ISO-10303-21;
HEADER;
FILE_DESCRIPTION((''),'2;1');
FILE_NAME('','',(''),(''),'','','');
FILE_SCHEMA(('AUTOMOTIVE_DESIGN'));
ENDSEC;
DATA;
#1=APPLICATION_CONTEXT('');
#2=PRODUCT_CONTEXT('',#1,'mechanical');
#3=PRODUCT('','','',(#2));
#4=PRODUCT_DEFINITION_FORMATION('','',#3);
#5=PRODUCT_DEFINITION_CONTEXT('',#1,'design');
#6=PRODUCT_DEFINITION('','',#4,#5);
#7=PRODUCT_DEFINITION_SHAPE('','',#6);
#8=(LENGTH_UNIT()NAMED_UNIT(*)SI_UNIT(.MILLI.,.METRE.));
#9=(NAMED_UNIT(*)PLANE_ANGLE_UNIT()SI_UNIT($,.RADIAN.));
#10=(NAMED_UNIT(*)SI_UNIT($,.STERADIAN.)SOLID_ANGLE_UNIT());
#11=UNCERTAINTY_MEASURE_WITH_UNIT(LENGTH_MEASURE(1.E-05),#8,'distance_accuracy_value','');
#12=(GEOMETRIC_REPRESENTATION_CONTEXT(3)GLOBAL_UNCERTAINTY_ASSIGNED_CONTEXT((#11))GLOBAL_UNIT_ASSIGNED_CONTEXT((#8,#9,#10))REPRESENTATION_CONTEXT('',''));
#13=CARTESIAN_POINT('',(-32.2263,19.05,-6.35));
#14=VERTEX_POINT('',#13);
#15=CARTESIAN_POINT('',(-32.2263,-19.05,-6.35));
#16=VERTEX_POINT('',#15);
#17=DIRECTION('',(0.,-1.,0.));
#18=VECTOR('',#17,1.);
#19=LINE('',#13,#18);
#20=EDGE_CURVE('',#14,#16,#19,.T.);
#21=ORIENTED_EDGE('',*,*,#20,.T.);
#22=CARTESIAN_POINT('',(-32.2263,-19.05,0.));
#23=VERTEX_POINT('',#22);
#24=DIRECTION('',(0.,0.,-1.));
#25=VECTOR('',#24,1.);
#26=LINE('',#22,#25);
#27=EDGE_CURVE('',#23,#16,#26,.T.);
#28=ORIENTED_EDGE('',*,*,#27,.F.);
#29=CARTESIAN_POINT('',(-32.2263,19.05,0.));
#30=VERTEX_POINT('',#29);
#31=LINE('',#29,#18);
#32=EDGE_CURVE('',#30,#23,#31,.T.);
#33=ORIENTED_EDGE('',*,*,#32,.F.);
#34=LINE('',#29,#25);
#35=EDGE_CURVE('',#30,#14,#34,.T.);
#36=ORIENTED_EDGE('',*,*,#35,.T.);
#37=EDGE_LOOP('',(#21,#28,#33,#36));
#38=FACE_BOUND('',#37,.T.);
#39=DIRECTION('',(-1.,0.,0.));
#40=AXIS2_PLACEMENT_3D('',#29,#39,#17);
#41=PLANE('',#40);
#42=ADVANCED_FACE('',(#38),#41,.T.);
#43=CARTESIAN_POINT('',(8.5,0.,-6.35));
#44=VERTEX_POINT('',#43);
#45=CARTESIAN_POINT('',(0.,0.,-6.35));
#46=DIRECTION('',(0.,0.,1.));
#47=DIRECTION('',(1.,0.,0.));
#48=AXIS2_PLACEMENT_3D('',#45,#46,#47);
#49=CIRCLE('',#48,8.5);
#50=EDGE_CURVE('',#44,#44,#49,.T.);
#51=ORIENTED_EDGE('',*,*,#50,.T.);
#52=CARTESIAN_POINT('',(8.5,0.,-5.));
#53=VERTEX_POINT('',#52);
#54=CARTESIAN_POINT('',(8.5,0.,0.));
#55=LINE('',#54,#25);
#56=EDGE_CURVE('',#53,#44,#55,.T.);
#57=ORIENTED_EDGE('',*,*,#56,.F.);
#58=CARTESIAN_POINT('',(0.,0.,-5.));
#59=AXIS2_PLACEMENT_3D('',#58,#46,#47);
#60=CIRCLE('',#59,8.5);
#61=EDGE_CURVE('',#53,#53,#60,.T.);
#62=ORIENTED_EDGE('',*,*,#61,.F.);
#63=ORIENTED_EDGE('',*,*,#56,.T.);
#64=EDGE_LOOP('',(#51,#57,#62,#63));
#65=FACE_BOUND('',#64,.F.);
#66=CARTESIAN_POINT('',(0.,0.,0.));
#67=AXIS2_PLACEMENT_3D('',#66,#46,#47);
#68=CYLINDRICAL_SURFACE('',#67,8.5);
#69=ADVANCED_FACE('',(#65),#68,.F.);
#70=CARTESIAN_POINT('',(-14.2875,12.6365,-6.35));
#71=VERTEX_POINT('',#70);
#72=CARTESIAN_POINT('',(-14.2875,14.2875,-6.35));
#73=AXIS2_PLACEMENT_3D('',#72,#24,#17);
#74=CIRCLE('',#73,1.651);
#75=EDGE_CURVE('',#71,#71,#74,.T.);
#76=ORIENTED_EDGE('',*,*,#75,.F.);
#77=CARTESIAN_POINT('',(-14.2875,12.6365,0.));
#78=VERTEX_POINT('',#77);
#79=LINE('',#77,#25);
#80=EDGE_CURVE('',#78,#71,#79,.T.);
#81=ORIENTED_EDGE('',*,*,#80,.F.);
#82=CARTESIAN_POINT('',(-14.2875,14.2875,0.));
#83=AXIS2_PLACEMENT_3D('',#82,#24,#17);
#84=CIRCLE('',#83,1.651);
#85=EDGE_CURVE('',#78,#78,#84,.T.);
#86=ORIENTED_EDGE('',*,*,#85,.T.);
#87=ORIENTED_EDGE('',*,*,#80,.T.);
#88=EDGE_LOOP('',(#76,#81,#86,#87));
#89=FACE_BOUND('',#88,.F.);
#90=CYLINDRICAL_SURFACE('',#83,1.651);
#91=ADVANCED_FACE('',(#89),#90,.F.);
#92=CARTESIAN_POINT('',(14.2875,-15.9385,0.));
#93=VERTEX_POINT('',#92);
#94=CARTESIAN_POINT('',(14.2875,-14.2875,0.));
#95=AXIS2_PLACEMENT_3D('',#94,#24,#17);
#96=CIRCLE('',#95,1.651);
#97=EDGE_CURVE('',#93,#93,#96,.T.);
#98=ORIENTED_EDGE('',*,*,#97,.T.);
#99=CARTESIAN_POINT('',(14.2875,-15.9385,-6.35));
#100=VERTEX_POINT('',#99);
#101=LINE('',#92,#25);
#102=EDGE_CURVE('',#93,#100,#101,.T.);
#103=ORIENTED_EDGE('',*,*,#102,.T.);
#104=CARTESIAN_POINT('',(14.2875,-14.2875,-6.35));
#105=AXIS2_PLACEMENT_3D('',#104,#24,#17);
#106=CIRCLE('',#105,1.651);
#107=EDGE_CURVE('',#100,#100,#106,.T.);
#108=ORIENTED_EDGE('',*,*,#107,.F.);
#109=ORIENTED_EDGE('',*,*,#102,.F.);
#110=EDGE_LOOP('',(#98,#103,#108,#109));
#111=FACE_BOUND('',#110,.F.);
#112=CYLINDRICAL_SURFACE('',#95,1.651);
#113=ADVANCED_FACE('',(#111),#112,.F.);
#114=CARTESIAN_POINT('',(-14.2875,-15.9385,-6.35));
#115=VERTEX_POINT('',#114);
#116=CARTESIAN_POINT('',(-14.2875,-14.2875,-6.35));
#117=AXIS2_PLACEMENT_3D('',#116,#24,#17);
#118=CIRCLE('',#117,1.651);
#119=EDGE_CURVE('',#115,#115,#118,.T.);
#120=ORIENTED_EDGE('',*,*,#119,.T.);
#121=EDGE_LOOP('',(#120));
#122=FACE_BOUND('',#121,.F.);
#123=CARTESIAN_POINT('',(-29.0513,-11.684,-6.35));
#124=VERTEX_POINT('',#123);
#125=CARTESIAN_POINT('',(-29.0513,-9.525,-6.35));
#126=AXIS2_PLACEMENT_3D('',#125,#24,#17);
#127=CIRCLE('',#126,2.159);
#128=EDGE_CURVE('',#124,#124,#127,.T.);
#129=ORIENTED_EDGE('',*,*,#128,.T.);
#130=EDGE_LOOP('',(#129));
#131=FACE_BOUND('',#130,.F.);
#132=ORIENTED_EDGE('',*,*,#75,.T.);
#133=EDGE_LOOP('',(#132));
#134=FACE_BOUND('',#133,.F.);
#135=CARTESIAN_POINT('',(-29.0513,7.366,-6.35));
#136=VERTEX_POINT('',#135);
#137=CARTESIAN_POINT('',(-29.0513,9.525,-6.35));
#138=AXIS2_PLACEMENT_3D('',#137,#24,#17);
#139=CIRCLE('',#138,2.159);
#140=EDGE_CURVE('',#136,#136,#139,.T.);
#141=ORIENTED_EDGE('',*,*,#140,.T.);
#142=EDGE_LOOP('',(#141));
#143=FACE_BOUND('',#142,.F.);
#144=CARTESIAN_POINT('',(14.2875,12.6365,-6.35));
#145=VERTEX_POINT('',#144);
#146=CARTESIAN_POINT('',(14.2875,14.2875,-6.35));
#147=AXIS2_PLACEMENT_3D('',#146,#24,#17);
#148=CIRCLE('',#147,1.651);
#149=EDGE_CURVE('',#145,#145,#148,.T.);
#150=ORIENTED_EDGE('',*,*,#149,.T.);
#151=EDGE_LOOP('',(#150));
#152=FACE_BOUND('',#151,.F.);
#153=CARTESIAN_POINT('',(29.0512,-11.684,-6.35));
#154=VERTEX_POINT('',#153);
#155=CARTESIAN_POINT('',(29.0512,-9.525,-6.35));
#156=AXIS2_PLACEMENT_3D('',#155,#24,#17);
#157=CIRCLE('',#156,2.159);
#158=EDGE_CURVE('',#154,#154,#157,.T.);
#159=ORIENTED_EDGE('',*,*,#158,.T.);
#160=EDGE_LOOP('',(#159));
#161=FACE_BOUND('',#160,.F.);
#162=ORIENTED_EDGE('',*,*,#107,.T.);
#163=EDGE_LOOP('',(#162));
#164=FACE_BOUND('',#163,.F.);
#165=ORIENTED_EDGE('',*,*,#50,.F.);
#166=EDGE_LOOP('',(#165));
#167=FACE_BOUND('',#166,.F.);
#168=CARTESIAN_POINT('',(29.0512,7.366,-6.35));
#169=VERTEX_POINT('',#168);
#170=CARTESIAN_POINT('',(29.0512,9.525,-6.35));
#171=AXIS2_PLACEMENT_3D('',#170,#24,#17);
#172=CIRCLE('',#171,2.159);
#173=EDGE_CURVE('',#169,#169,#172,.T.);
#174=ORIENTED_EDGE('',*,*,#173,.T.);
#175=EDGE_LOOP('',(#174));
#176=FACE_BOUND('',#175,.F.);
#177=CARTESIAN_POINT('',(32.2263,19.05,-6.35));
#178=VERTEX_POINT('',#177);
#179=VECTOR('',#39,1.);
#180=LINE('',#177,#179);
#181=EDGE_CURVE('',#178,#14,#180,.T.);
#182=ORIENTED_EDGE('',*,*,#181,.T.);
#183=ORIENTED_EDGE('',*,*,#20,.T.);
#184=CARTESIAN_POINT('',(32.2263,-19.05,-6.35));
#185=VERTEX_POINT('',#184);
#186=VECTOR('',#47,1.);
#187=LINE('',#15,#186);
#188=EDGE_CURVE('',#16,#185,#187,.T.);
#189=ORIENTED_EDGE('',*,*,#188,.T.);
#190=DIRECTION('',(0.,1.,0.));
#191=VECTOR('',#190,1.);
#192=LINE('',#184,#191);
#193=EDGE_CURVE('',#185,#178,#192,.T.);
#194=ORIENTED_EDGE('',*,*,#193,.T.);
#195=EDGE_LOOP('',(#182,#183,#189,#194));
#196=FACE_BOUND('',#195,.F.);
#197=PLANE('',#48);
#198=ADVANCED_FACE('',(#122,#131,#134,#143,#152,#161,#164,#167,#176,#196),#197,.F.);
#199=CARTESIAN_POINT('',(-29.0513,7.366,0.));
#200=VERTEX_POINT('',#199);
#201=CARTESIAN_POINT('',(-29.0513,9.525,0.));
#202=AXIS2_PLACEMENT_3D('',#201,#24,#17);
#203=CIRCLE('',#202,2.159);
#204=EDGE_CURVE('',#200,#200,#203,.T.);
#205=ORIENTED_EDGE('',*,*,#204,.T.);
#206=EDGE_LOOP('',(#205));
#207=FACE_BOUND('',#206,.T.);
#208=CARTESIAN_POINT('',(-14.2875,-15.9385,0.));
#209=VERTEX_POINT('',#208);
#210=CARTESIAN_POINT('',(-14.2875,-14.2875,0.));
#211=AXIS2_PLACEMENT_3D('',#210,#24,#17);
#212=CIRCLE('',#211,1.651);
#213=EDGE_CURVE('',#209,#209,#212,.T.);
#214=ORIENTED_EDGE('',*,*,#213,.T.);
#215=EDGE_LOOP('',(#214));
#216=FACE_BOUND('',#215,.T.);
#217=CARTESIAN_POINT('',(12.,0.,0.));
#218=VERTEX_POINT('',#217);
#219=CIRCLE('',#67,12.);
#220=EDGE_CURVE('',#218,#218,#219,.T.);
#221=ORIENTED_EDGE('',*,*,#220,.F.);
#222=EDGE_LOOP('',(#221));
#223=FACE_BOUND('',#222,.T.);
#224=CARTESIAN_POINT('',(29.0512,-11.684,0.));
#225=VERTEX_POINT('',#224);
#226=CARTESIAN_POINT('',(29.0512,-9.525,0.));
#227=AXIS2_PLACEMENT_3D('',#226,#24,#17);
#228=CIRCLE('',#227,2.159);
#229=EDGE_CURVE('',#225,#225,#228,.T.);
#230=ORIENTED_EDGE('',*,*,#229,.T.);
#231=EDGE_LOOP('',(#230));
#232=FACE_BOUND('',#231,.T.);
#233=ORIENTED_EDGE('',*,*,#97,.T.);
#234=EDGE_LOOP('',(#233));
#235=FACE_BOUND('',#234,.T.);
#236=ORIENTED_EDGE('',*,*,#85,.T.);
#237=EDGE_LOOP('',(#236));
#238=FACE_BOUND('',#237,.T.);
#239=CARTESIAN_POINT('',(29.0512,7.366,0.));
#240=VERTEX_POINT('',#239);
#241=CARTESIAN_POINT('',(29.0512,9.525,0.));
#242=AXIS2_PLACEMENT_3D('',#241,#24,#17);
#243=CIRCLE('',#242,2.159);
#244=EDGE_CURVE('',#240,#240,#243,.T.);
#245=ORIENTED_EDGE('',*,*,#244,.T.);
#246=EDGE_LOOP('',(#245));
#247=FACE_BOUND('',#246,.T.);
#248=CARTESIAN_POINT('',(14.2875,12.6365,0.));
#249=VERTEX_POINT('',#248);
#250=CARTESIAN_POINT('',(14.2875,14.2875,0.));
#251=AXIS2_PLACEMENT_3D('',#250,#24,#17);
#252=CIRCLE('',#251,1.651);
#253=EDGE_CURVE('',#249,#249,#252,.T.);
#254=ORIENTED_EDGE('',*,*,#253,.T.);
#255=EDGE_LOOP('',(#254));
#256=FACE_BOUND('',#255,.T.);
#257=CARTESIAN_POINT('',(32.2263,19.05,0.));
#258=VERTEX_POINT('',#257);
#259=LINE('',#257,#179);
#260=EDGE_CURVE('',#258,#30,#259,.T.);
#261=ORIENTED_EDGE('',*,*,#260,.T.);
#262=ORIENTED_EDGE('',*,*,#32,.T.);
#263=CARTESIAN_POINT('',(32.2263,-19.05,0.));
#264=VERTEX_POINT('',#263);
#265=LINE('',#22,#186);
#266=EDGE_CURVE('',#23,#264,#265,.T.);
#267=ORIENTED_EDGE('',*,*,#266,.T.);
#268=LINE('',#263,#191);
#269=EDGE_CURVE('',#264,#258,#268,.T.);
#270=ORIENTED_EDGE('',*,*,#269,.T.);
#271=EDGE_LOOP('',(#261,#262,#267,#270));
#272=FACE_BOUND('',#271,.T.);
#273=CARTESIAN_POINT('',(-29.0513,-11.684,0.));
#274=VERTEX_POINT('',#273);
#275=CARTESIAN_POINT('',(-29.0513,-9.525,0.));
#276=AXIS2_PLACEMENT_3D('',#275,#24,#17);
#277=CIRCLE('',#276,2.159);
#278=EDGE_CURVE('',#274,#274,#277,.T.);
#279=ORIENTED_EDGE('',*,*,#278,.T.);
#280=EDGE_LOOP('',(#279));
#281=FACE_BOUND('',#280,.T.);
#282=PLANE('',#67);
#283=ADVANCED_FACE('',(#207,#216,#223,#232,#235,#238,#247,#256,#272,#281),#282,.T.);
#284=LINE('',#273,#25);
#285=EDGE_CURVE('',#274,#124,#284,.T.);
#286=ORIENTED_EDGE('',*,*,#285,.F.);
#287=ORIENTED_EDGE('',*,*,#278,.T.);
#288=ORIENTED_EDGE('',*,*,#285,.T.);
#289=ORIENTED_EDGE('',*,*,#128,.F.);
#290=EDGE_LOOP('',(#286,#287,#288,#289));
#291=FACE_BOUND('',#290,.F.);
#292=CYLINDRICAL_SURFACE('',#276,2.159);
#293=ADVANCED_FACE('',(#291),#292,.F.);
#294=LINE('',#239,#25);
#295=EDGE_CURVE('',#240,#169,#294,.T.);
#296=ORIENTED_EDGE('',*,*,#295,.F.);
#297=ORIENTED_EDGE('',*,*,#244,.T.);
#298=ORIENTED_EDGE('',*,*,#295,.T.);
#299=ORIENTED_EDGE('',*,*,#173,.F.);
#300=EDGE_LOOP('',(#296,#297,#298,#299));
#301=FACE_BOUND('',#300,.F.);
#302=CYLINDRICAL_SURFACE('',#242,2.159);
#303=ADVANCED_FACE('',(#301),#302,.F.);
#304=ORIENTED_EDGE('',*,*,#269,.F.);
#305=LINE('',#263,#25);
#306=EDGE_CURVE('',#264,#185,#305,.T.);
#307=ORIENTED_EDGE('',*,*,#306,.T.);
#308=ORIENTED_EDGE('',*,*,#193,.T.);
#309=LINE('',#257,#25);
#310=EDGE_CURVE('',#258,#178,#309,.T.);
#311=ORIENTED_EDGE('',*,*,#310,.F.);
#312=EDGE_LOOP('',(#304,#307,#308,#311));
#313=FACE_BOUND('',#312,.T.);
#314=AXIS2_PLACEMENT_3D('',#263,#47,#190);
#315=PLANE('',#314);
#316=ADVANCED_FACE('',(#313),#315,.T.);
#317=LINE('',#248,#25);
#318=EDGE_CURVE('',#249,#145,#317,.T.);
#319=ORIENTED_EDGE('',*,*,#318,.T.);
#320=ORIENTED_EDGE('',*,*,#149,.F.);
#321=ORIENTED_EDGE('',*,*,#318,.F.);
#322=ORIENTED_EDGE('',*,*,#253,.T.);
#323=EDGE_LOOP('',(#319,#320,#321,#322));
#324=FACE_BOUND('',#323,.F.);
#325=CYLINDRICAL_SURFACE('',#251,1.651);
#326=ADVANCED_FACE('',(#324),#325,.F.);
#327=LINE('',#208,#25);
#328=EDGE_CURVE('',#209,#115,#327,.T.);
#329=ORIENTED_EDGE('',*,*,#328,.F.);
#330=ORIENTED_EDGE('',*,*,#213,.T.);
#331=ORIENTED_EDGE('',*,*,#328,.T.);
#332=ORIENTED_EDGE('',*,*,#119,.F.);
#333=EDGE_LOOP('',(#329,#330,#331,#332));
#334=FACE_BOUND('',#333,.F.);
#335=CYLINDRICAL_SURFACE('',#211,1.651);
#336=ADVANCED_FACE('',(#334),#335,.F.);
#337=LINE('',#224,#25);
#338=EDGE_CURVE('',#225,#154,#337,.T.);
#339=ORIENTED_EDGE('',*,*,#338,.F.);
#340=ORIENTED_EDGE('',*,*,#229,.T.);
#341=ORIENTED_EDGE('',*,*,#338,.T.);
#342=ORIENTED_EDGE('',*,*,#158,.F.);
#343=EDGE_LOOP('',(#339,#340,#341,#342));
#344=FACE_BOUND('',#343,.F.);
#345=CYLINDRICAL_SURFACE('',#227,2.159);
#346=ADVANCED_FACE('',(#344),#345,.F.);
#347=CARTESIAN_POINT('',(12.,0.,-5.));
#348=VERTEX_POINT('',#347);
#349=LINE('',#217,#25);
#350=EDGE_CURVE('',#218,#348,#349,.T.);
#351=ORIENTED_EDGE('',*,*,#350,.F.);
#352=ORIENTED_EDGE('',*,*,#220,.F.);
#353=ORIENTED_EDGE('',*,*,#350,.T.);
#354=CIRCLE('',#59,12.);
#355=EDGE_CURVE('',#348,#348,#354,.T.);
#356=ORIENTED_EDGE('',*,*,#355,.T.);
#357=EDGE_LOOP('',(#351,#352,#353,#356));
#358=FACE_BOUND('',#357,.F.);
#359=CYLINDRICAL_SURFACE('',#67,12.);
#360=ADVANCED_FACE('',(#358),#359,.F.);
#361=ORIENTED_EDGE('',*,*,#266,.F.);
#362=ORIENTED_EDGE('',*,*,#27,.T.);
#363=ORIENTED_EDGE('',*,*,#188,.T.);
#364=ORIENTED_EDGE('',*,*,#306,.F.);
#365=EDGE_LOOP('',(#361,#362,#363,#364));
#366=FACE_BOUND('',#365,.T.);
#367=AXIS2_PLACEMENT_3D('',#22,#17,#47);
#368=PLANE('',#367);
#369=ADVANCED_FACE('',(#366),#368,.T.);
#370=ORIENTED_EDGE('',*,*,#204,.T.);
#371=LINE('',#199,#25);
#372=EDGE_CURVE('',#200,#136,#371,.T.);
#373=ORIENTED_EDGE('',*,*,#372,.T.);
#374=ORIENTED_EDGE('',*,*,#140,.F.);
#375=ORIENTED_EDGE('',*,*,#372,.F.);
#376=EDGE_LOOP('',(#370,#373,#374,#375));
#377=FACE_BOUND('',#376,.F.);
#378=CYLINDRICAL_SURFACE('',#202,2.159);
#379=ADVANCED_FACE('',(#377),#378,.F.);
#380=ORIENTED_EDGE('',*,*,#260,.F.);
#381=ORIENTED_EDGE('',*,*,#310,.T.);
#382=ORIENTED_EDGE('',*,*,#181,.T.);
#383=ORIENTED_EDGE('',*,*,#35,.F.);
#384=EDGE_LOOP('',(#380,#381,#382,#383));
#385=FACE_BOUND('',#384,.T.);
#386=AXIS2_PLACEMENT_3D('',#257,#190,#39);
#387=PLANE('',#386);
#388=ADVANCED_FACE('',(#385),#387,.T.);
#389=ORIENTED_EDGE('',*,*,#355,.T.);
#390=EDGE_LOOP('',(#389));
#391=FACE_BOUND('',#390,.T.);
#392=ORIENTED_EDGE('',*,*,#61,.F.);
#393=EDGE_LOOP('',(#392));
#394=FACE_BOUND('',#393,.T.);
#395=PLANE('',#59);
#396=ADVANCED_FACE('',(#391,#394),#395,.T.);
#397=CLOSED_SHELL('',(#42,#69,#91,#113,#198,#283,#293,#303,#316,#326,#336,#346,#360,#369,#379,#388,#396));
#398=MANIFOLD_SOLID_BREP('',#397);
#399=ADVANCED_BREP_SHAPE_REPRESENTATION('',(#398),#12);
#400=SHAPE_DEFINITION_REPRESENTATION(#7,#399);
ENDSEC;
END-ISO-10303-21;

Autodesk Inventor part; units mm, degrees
ref_plane "YZ Plane" through (0, 0, 0) normal (1, 0, 0) x (0, 1, 0)
ref_plane "XZ Plane" through (0, 0, 0) normal (0, 1, 0) x (-1, 0, 0)
ref_plane "XY Plane" through (0, 0, 0) normal (0, 0, 1) x (1, 0, 0)
sketch "Sketch1" plane through (0, 0, 0) normal (0, 0, 1) x (1, 0, 0)
  line L0 (-32.2263, -19.05) -> (32.2263, -19.05)
  line L1 (32.2263, -19.05) -> (32.2263, 19.05)
  line L2 (32.2263, 19.05) -> (-32.2263, 19.05)
  line L3 (-32.2263, 19.05) -> (-32.2263, -19.05)
  line L4 (-32.2263, -19.05) -> (32.2263, 19.05) construction
  line L5 (32.2263, -19.05) -> (-32.2263, 19.05) construction
  line L6 (-25.8762, 19.05) -> (-25.8762, -19.05) construction
  line L7 (25.8762, 19.05) -> (25.8762, -19.05) construction
  line L8 (-29.0512, 19.05) -> (-29.0512, -19.05) construction
  line L9 (29.0512, 19.05) -> (29.0512, -19.05) construction
  line L10 (-32.2263, 0) -> (32.2263, 0) construction
  circle A0 centre (0, 0) radius 12
  circle A1 centre (0, 0) radius 8.5
  line L11 (-17.4625, -17.4625) -> (17.4625, -17.4625) construction
  line L12 (17.4625, -17.4625) -> (17.4625, 17.4625) construction
  line L13 (17.4625, 17.4625) -> (-17.4625, 17.4625) construction
  line L14 (-17.4625, 17.4625) -> (-17.4625, -17.4625) construction
  line L15 (-17.4625, -17.4625) -> (17.4625, 17.4625) construction
  line L16 (17.4625, -17.4625) -> (-17.4625, 17.4625) construction
  circle A2 centre (-14.2875, 14.2875) radius 3.175 construction
  line L17 (14.2875, -14.2875) -> (-14.2875, -14.2875) construction
  line L18 (-14.2875, -14.2875) -> (-14.2875, 14.2875) construction
  line L19 (-14.2875, 14.2875) -> (14.2875, 14.2875) construction
  line L20 (14.2875, 14.2875) -> (14.2875, -14.2875) construction
  line L21 (14.2875, -14.2875) -> (-14.2875, 14.2875) construction
  line L22 (-14.2875, -14.2875) -> (14.2875, 14.2875) construction
  point P0 (-29.0513, 9.525)
  point P1 (-29.0513, -9.525)
  point P2 (29.0512, -9.525)
  point P3 (29.0512, 9.525)
  dimension "d0" = 64.4525
  dimension "d1" = 38.1
  dimension "d2" = 6.35
  dimension "d3" = 6.35
  dimension "d4" = 9.525
  dimension "d5" = 9.525
  dimension "d6" = 24
  dimension "d18" = 17
  dimension "d19" = 34.925
  dimension "d20" = 34.925
  dimension "d21" = 6.35
extrude "Extrusion1" add sketch "Sketch1" against normal blind 6.35 contours L3 L2 L1 L0 | A0
hole "Hole1" at (-29.0513, 9.525, 0) at (-29.0513, -9.525, 0) at (29.0512, -9.525, 0) at (29.0512, 9.525, 0) direction (0, 0, -1) diameter 4.318 end through all clearance for "Flat Head Machine Screw (82)" size "#8" standard "Ansi Unified Screw Threads"
extrude "Extrusion2" cut sketch "Sketch1" against normal blind 5 contours A0 | A1
hole "Hole2" at (-14.2875, 14.2875, 0) at (-14.2875, -14.2875, 0) at (14.2875, -14.2875, 0) at (14.2875, 14.2875, 0) direction (0, 0, -1) diameter 3.302 end through all thread size "8-32 UNC" class "2B" standard "ANSI Unified Screw Threads"
equation "\"d5\" = d4"
equation "\"d20\" = d19"
properties part number "Module Top Plate" material "Aluminum 6061"
